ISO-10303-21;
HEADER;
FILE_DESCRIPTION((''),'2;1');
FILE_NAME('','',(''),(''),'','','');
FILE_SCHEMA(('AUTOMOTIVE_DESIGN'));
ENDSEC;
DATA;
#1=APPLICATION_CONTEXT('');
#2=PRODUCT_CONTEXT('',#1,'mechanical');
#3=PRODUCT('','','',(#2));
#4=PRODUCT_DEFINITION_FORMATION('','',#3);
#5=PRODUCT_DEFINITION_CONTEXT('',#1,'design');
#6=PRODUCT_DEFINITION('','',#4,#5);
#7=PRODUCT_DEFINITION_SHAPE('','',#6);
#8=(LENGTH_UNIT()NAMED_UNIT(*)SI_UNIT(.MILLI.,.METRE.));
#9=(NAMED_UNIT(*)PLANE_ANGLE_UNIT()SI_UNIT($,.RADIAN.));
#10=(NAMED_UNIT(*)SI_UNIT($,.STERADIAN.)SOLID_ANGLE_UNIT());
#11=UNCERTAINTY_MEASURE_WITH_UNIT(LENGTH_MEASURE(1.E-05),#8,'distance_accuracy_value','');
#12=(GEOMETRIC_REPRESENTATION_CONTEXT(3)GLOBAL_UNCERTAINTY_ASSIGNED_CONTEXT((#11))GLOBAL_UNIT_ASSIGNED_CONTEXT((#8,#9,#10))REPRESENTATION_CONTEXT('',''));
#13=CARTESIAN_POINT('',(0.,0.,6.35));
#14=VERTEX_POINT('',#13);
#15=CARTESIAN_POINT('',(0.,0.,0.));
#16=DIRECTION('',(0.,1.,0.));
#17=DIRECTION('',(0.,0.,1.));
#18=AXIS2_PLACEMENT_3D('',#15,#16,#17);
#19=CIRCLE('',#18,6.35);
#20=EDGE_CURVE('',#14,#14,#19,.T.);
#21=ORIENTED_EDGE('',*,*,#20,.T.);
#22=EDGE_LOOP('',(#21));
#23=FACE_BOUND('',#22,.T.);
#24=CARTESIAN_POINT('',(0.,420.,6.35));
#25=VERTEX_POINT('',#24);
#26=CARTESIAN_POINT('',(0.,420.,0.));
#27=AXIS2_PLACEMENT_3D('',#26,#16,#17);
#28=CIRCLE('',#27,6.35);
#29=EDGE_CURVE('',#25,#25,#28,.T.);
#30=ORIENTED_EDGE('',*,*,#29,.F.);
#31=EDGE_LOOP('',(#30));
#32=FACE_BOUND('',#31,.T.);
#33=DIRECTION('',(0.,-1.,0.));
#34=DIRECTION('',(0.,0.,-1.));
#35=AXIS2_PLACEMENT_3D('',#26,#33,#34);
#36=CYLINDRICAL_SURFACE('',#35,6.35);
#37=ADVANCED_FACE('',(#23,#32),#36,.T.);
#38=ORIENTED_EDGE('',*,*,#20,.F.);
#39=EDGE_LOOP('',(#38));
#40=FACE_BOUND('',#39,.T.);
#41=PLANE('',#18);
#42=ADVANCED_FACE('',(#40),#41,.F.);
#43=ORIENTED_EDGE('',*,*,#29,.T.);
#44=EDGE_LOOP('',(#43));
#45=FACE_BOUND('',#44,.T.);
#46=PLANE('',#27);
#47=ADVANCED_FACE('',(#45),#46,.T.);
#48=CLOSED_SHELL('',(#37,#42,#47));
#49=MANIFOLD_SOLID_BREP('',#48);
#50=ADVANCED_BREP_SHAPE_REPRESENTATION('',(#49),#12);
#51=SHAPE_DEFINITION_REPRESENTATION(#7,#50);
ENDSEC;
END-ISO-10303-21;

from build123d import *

# Parameters (mm, degrees)
CROQUIS1_R = 6.35


with BuildPart() as part:
    # Barrer1: sweep along a path in Croquis2
    with BuildLine(Plane.XY) as barrer1_path:
        Line((0, 0), (0, 420))
    # Croquis1 → Barrer1 (sweep)
    with BuildSketch(Plane(origin=(0, 0, 0), x_dir=(1, 0, 0), z_dir=(0, 1, 0))):
        Circle(CROQUIS1_R)
    sweep(path=barrer1_path.line)


solid = part.part
